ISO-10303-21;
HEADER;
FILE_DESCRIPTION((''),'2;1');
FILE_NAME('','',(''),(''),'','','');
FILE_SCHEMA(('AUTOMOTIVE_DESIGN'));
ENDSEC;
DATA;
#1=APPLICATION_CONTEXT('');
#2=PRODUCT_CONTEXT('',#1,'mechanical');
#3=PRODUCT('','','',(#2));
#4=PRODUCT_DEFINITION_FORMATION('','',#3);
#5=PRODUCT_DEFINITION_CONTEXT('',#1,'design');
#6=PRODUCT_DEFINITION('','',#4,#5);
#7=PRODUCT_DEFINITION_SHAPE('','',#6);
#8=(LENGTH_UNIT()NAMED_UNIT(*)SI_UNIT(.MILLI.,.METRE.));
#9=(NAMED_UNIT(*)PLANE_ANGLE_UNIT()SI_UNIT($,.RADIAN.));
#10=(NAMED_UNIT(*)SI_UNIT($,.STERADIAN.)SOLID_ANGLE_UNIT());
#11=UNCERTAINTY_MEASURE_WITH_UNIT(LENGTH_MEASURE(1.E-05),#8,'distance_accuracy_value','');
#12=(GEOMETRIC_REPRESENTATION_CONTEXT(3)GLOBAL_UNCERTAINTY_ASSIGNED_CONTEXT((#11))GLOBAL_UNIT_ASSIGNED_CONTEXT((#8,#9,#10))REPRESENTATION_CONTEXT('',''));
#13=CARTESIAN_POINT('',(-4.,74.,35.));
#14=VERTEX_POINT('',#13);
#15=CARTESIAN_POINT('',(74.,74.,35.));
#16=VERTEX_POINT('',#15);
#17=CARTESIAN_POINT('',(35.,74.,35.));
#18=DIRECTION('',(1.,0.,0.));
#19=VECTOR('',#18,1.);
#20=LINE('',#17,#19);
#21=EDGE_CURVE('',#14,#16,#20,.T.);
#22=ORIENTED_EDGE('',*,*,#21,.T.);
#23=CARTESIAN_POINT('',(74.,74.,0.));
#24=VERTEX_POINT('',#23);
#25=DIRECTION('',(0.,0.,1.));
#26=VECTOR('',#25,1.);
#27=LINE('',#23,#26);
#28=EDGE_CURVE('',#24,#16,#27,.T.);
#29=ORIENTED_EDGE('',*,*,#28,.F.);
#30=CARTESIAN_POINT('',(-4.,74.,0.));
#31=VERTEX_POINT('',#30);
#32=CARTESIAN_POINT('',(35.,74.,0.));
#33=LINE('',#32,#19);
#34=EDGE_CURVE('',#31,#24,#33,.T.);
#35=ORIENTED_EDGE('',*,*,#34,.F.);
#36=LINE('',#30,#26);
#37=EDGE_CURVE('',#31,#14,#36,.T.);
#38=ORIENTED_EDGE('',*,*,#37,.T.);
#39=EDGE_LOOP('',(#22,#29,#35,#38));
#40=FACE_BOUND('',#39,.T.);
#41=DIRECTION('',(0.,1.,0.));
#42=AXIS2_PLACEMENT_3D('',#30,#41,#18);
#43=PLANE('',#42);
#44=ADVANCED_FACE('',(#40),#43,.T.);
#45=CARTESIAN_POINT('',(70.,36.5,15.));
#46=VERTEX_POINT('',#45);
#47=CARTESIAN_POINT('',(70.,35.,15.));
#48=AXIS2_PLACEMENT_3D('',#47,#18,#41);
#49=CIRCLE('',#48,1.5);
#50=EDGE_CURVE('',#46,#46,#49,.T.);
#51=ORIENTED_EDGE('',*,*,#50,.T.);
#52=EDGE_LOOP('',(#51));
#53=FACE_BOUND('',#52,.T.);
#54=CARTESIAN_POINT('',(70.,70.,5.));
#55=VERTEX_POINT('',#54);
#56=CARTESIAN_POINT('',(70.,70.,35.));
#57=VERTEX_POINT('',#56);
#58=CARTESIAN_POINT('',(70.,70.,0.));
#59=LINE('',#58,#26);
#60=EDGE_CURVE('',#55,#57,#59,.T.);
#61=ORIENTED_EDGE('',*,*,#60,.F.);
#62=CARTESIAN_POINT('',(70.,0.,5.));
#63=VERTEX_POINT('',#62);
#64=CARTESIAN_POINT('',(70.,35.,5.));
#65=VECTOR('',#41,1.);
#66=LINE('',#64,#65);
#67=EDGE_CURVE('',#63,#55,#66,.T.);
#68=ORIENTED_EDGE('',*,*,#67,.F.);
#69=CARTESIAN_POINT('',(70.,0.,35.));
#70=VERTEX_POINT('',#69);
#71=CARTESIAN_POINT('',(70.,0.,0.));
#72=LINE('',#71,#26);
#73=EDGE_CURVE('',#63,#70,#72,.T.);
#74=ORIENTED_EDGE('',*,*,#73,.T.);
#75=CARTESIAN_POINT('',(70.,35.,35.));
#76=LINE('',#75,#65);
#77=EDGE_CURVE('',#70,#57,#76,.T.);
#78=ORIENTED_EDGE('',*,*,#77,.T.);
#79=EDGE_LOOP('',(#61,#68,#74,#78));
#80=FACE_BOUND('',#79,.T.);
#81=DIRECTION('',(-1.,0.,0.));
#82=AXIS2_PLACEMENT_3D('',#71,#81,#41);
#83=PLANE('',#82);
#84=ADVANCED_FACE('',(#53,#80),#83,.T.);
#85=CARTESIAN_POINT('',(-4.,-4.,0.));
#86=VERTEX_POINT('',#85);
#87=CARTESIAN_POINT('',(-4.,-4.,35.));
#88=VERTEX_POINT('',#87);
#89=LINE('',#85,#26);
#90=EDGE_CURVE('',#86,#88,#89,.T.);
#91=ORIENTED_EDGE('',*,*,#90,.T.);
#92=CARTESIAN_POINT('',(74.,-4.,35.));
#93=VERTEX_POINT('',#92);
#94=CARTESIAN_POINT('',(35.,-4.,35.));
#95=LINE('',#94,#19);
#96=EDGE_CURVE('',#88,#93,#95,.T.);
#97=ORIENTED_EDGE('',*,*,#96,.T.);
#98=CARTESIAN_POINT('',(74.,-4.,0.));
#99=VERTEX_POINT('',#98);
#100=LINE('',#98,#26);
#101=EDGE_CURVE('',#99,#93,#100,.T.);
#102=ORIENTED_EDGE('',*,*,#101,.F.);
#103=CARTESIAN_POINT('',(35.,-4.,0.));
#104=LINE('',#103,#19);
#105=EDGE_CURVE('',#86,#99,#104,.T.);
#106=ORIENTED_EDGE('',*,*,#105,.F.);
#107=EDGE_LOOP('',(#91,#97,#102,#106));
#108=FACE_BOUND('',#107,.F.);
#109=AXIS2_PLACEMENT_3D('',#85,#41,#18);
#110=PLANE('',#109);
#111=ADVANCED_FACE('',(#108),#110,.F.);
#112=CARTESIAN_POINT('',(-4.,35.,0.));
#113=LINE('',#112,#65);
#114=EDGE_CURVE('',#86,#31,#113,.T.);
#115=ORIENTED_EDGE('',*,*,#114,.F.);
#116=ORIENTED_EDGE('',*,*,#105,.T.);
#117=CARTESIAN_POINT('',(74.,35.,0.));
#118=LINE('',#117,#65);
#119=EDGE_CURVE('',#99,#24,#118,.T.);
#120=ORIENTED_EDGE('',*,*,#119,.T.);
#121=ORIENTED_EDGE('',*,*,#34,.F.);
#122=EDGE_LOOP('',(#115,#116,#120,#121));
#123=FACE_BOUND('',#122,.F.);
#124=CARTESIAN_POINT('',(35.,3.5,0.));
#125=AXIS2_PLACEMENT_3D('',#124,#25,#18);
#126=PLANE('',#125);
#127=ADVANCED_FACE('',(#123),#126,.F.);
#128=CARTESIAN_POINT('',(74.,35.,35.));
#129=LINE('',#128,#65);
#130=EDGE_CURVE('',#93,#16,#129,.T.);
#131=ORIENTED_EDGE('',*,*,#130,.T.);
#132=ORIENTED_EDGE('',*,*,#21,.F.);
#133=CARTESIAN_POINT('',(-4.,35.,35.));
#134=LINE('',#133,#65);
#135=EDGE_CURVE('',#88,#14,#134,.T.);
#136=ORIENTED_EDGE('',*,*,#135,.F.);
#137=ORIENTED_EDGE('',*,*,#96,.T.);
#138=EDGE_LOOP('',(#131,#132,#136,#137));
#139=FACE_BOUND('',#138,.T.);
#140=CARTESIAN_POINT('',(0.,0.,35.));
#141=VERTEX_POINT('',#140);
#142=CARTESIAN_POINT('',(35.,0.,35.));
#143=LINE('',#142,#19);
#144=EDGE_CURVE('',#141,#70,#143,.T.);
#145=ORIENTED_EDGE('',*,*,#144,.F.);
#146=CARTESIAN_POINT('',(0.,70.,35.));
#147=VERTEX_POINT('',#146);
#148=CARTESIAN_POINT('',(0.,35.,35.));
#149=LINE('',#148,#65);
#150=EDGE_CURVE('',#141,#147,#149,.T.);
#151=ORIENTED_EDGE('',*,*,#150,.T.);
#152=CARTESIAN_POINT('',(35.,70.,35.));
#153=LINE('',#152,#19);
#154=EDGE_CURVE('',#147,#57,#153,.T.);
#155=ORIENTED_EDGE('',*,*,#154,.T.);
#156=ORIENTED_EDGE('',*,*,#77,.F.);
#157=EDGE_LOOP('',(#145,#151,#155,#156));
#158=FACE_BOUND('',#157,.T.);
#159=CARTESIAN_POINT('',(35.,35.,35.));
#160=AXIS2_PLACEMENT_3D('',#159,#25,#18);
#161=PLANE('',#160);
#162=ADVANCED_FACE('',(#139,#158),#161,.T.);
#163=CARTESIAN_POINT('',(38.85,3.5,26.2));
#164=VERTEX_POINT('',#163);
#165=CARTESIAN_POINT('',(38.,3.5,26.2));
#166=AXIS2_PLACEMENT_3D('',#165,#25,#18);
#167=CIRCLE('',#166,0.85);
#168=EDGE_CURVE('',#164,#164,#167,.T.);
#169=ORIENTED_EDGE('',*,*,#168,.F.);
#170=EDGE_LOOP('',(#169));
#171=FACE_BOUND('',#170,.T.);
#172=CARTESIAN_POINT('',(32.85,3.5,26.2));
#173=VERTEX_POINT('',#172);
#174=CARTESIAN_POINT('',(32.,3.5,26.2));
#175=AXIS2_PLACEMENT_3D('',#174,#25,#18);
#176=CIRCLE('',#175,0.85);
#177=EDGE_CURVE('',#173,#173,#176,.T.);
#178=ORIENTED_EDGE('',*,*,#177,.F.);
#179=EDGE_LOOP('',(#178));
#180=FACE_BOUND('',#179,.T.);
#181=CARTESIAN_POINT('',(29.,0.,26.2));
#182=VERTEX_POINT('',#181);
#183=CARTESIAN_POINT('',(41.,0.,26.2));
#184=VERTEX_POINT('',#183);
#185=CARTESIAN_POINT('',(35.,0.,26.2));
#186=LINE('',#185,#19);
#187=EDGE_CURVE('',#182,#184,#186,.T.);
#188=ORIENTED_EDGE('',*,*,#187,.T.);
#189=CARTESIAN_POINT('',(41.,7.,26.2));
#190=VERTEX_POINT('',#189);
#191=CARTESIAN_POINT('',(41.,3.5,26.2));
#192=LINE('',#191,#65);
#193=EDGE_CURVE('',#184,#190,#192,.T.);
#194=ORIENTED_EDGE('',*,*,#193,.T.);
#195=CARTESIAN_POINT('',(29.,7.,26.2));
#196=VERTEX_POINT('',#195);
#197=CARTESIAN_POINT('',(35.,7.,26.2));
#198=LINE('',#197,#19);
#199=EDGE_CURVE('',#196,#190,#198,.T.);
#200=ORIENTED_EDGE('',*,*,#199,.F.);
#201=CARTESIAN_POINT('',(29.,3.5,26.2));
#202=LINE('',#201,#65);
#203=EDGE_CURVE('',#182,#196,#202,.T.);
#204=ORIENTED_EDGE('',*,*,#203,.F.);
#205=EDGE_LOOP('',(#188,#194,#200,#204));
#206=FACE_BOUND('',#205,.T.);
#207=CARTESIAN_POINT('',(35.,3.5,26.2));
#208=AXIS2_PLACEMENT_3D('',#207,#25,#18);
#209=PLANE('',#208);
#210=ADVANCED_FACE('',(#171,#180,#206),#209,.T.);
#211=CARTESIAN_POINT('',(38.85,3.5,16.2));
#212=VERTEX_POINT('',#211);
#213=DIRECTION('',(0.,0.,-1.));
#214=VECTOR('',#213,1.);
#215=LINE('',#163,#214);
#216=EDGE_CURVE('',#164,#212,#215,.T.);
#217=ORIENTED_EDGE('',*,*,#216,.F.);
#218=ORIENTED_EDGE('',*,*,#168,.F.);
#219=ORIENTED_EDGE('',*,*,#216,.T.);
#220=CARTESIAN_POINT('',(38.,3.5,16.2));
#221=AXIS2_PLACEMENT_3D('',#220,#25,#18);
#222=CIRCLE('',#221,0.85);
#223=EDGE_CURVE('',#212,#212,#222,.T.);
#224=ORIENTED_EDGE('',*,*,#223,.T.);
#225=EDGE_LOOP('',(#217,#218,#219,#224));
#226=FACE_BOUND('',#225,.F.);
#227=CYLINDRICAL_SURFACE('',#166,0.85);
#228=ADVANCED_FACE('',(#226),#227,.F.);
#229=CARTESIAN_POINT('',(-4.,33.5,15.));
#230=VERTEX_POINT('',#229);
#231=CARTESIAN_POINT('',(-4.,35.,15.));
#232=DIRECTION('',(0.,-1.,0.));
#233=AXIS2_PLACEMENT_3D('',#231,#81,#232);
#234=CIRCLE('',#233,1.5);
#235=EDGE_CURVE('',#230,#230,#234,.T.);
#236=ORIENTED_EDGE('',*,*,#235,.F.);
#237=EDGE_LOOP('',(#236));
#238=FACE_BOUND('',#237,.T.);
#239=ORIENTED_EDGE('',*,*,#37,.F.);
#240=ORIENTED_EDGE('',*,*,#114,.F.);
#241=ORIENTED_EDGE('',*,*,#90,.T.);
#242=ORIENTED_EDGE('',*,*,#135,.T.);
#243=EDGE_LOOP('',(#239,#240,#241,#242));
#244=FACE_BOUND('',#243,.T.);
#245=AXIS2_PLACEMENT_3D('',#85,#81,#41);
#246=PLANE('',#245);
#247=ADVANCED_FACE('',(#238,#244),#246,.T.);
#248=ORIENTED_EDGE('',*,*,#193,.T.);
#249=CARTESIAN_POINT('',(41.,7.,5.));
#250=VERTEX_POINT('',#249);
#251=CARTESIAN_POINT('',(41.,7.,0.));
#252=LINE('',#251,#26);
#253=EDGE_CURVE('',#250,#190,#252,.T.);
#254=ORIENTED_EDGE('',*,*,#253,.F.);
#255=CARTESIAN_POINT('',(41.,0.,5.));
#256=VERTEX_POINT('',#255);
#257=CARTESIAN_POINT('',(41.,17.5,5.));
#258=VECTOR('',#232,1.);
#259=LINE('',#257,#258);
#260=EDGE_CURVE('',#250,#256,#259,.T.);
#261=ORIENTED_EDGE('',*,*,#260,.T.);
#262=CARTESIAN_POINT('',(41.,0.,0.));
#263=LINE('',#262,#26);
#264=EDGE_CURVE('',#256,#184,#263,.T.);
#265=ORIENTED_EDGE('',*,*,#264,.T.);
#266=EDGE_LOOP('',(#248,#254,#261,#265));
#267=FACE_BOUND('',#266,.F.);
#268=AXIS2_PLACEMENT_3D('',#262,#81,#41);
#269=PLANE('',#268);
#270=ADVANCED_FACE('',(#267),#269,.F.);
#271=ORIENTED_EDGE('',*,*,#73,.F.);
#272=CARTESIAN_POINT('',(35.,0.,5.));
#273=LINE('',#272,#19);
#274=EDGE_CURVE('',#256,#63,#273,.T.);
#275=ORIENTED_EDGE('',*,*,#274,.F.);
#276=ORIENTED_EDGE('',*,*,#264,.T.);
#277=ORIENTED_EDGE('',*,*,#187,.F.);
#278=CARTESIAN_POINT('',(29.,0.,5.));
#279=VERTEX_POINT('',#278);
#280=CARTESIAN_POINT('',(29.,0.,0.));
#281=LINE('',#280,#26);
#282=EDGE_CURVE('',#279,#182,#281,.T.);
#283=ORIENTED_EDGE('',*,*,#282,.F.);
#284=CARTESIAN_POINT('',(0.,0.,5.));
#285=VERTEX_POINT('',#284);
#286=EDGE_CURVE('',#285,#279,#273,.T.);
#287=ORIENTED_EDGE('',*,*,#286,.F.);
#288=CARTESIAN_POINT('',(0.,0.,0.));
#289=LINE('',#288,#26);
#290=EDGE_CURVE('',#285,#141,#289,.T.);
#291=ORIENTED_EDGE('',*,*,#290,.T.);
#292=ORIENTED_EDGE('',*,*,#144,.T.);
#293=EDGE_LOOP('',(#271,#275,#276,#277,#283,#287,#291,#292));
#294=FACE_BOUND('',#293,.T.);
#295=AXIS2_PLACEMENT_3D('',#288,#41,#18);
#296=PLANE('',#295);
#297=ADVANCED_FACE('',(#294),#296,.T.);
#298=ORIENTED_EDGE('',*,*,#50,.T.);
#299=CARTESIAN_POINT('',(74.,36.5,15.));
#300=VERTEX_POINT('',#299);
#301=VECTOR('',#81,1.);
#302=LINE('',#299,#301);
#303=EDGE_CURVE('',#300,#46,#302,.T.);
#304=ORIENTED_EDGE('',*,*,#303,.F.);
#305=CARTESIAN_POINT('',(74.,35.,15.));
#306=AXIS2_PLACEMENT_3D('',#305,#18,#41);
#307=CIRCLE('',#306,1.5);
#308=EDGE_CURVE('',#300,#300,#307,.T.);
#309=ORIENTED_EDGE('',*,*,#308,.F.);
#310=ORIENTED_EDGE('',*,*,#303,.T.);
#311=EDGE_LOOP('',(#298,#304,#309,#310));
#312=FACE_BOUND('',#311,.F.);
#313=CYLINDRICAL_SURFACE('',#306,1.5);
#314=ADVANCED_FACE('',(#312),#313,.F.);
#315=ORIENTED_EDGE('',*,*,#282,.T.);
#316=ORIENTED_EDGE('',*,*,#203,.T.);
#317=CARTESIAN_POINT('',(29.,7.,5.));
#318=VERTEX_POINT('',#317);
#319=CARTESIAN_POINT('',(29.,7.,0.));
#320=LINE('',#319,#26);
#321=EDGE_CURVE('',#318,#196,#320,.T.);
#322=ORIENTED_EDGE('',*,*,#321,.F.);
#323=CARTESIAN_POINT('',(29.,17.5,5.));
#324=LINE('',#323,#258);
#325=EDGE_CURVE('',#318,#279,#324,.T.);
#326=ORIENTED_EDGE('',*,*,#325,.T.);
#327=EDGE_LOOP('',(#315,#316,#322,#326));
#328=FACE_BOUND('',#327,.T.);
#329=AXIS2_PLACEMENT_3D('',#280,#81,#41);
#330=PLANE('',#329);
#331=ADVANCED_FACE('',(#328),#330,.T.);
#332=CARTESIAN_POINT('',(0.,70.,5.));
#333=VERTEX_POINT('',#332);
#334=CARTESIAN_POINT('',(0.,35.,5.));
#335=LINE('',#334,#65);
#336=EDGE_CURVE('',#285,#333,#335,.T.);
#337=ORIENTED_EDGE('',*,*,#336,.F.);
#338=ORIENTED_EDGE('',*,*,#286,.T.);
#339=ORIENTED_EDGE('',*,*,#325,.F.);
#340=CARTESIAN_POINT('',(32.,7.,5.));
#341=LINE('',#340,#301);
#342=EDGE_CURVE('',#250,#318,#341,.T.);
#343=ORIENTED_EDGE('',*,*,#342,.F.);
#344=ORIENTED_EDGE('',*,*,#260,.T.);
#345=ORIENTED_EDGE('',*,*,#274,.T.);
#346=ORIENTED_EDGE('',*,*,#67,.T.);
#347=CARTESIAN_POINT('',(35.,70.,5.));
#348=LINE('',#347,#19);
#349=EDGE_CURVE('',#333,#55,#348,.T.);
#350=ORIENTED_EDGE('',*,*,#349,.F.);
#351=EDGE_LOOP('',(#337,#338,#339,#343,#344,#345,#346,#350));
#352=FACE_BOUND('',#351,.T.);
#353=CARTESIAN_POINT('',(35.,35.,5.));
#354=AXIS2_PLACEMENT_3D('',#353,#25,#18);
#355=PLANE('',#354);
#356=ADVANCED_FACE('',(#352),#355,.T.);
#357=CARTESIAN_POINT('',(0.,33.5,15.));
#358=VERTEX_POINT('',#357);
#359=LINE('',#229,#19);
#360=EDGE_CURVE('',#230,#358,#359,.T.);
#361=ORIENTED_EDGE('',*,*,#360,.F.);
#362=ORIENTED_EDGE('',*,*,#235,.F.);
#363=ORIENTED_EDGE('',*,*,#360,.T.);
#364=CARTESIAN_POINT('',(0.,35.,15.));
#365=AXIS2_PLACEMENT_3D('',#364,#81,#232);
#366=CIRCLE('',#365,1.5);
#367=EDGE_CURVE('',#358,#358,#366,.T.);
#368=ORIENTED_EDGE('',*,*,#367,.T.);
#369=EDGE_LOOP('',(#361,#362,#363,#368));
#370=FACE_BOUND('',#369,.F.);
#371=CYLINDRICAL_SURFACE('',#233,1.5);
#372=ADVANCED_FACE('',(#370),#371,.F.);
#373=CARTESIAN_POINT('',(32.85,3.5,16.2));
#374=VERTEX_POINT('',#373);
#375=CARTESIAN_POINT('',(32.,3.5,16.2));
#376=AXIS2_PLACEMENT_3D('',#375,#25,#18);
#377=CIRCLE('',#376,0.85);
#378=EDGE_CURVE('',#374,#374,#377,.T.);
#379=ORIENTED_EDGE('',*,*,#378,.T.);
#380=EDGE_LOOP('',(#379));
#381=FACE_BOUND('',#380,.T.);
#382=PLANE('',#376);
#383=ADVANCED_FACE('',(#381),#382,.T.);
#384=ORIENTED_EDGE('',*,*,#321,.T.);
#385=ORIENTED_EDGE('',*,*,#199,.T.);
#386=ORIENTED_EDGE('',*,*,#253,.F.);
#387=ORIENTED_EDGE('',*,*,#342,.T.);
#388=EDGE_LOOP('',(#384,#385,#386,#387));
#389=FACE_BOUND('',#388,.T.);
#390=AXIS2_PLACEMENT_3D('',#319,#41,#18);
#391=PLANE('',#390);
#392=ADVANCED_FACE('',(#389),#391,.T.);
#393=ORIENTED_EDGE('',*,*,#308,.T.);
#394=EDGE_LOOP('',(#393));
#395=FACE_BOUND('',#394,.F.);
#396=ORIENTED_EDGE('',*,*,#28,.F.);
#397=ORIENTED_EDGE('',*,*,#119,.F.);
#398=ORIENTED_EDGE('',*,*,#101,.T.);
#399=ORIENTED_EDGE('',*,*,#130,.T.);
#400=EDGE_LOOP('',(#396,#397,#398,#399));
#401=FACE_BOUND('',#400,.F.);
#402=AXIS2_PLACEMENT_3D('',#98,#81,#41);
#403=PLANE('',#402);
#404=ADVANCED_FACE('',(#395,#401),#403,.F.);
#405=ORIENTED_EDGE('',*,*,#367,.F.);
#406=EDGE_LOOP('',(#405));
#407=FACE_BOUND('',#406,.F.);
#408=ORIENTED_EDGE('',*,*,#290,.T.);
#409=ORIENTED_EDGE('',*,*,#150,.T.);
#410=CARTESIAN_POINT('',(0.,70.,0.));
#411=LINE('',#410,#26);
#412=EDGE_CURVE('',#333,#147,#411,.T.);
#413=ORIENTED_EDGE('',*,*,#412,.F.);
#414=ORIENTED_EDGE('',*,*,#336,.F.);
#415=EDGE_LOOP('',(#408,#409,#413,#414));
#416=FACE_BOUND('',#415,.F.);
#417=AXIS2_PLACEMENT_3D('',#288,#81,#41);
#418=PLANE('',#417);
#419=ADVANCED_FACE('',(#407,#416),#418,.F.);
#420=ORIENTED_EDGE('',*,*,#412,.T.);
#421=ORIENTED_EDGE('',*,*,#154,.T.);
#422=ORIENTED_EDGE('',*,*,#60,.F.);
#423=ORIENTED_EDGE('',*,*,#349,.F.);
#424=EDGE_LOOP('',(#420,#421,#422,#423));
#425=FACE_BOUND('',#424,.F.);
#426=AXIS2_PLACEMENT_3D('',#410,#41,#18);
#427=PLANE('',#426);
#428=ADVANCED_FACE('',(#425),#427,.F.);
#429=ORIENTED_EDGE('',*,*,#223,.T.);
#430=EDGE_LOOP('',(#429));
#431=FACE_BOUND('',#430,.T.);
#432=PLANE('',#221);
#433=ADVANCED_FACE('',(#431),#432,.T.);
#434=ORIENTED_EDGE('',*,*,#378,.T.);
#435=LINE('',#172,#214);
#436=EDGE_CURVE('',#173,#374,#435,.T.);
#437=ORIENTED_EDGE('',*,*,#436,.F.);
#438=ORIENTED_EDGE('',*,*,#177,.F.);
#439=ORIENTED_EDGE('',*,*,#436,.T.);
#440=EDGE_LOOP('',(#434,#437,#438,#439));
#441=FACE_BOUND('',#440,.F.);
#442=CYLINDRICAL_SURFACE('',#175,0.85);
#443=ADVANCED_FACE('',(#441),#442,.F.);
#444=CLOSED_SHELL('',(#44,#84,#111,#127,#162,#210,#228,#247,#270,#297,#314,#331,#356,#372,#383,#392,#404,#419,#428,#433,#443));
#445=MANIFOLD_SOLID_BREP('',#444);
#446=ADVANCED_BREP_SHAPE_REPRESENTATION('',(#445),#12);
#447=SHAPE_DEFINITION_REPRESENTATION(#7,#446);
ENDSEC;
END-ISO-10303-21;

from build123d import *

# Parameters (mm, degrees)
F0_W      = 78
F0_H      = 78
F0_W_2    = 70
F0_H_2    = 70
F1_DEPTH  = 35
F2_W      = 70
F2_H      = 70
F3_DEPTH  = 5
F4_W      = 12
F4_H      = 7
F5_DEPTH  = 26.2
F7_R      = 0.85
F8_DEPTH  = 10
F10_R     = 1.5
F11_DEPTH = 25.4
F13_R     = 1.5
F14_DEPTH = 25.4


with BuildPart() as f1:
    # F0 (on Top) → F1 (new body)
    with BuildSketch(Plane.XY):
        with Locations((35, 35)):
            Rectangle(F0_W, F0_H)
        with Locations((35, 35)):
            Rectangle(F0_W_2, F0_H_2, mode=Mode.SUBTRACT)
    extrude(amount=F1_DEPTH)

    # F2 (on Top) → F3 (join)
    with BuildSketch(Plane.XY):
        with Locations((35, 35)):
            Rectangle(F2_W, F2_H)
    extrude(amount=F3_DEPTH)

    # F4 (on Top) → F5 (join)
    with BuildSketch(Plane.XY):
        with Locations((35, 3.5)):
            Rectangle(F4_W, F4_H)
    extrude(amount=F5_DEPTH)

    # F7 (on offset) → F8 (cut)
    with BuildSketch(Plane.XY.offset(26.2)):
        with Locations((38, 3.5)):
            Circle(F7_R)
        with Locations((32, 3.5)):
            Circle(F7_R)
    extrude(amount=-F8_DEPTH, mode=Mode.SUBTRACT)

    # F10 (on offset) → F11 (cut)
    with BuildSketch(Plane.YZ.offset(74)):
        with Locations((35, 15)):
            Circle(F10_R)
    extrude(amount=-F11_DEPTH, mode=Mode.SUBTRACT)

    # F13 (on offset) → F14 (cut)
    with BuildSketch(Plane(origin=(-4, 0, 0), x_dir=(0, -1, 0), z_dir=(-1, 0, 0))):
        with Locations((-35, 15)):
            Circle(F13_R)
    extrude(amount=-F14_DEPTH, mode=Mode.SUBTRACT)


solid = f1.part
